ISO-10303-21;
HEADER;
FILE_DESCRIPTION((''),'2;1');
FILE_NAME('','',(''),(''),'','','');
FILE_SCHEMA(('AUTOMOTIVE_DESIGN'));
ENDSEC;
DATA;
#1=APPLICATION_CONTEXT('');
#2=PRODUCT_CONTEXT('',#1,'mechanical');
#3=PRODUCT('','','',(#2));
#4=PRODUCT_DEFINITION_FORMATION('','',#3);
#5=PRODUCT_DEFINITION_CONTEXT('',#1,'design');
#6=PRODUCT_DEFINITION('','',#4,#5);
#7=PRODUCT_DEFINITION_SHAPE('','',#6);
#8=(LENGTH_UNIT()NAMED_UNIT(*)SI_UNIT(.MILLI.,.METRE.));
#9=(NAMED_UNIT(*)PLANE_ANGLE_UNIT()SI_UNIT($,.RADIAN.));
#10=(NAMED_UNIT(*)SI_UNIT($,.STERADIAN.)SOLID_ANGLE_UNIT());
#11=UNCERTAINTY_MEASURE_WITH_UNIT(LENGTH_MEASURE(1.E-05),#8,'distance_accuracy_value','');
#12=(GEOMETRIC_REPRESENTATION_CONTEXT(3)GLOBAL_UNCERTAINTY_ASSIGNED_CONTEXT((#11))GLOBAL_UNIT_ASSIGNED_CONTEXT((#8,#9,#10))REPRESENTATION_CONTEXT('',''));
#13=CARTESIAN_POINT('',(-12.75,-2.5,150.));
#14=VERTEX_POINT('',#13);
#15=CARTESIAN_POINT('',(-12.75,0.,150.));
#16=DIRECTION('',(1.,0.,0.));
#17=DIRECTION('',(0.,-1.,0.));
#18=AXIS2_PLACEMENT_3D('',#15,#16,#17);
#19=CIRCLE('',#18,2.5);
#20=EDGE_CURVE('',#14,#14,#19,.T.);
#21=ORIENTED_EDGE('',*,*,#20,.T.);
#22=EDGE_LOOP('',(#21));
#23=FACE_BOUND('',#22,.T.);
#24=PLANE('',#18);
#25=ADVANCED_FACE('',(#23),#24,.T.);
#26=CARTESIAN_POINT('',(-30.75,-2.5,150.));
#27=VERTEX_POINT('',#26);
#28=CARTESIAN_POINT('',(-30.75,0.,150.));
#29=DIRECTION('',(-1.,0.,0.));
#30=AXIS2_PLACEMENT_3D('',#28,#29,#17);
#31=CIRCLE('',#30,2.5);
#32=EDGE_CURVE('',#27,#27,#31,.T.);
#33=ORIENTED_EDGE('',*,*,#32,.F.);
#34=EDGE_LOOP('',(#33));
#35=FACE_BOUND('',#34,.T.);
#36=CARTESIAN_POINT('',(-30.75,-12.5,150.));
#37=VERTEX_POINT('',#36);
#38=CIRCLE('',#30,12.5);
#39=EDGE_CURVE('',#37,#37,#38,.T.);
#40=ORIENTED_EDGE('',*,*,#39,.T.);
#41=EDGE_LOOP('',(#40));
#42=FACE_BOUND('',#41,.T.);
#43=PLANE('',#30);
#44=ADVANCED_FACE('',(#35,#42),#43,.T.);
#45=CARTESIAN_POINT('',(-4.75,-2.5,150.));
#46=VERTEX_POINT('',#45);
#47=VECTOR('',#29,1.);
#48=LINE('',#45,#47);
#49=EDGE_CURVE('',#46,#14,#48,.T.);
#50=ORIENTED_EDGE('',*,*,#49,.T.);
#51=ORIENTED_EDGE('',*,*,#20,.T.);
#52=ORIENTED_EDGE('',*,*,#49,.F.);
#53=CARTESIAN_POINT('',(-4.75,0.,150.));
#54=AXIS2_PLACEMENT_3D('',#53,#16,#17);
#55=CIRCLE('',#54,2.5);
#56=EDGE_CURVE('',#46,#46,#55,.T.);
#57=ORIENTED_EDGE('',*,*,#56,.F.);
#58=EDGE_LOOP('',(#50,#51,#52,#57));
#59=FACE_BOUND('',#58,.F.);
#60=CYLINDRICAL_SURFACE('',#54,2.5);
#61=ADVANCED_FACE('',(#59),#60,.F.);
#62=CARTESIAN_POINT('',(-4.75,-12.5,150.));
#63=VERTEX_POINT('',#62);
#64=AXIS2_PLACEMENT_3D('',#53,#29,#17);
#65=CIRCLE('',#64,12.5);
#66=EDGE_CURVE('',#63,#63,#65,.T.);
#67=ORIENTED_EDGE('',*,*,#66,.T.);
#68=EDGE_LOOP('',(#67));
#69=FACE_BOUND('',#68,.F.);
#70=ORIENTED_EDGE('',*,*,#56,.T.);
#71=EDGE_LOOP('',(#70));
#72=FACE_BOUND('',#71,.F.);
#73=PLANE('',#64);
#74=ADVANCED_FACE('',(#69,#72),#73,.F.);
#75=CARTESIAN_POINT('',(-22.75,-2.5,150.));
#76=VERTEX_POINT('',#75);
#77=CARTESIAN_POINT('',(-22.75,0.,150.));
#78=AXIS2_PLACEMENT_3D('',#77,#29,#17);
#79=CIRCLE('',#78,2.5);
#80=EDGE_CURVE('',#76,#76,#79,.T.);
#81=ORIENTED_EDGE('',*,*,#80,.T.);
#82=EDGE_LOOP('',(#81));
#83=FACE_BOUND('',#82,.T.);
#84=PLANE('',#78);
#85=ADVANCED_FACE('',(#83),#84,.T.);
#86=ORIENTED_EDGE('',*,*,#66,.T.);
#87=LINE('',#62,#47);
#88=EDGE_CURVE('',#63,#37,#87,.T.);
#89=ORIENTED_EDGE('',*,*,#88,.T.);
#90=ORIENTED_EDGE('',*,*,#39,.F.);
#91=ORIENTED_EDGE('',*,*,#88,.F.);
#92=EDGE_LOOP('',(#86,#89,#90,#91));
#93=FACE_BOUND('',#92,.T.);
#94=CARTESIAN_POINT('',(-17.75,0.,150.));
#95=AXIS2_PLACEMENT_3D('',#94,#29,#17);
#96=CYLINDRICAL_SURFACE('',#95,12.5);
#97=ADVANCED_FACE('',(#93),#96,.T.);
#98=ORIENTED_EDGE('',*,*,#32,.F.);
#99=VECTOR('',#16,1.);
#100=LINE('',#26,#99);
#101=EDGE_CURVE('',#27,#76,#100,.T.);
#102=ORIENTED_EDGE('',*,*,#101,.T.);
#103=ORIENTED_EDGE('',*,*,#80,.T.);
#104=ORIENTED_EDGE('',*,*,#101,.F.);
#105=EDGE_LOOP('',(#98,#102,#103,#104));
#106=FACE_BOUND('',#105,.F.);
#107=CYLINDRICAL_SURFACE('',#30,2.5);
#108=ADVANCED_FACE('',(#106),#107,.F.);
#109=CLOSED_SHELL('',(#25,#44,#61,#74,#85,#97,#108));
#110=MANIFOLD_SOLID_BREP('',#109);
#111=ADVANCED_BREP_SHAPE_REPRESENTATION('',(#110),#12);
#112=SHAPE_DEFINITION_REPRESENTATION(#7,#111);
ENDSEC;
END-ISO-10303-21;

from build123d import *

# Parameters (mm, degrees)
SKETCH051_R             = 12.5
PAD018_DEPTH            = 13
SKETCH055_R             = 2.5
POCKET030_DEPTH         = 8
SKETCH056_R             = 2.5
POCKET029_DEPTH         = 8
BODY013_PLACEMENT_ANGLE = -90


with BuildPart() as part:
    # Sketch051 → Pad018 (new body, symmetric)
    with BuildSketch(Plane.XZ):
        Circle(SKETCH051_R)
    extrude(amount=PAD018_DEPTH, both=True)

    # Sketch055 (on Face3 of Pad018) → Pocket030 (cut)
    with BuildSketch(Plane.XZ.offset(13)):
        Circle(SKETCH055_R)
    extrude(amount=-POCKET030_DEPTH, mode=Mode.SUBTRACT)

    # Sketch056 (on Face2 of Pocket030) → Pocket029 (cut)
    with BuildSketch(Plane(origin=(0, 13, 0), x_dir=(1, 0, 0), z_dir=(0, 1, 0))):
        Circle(SKETCH056_R)
    extrude(amount=-POCKET029_DEPTH, mode=Mode.SUBTRACT)


with BuildPart() as part_1:
    # Body013 placement: moved
    add(part.part.moved(Location((-17.75, 0, 150))).rotate(Axis((-17.75, 0, 150), (0, 0, 1)), BODY013_PLACEMENT_ANGLE))


solid = part_1.part
